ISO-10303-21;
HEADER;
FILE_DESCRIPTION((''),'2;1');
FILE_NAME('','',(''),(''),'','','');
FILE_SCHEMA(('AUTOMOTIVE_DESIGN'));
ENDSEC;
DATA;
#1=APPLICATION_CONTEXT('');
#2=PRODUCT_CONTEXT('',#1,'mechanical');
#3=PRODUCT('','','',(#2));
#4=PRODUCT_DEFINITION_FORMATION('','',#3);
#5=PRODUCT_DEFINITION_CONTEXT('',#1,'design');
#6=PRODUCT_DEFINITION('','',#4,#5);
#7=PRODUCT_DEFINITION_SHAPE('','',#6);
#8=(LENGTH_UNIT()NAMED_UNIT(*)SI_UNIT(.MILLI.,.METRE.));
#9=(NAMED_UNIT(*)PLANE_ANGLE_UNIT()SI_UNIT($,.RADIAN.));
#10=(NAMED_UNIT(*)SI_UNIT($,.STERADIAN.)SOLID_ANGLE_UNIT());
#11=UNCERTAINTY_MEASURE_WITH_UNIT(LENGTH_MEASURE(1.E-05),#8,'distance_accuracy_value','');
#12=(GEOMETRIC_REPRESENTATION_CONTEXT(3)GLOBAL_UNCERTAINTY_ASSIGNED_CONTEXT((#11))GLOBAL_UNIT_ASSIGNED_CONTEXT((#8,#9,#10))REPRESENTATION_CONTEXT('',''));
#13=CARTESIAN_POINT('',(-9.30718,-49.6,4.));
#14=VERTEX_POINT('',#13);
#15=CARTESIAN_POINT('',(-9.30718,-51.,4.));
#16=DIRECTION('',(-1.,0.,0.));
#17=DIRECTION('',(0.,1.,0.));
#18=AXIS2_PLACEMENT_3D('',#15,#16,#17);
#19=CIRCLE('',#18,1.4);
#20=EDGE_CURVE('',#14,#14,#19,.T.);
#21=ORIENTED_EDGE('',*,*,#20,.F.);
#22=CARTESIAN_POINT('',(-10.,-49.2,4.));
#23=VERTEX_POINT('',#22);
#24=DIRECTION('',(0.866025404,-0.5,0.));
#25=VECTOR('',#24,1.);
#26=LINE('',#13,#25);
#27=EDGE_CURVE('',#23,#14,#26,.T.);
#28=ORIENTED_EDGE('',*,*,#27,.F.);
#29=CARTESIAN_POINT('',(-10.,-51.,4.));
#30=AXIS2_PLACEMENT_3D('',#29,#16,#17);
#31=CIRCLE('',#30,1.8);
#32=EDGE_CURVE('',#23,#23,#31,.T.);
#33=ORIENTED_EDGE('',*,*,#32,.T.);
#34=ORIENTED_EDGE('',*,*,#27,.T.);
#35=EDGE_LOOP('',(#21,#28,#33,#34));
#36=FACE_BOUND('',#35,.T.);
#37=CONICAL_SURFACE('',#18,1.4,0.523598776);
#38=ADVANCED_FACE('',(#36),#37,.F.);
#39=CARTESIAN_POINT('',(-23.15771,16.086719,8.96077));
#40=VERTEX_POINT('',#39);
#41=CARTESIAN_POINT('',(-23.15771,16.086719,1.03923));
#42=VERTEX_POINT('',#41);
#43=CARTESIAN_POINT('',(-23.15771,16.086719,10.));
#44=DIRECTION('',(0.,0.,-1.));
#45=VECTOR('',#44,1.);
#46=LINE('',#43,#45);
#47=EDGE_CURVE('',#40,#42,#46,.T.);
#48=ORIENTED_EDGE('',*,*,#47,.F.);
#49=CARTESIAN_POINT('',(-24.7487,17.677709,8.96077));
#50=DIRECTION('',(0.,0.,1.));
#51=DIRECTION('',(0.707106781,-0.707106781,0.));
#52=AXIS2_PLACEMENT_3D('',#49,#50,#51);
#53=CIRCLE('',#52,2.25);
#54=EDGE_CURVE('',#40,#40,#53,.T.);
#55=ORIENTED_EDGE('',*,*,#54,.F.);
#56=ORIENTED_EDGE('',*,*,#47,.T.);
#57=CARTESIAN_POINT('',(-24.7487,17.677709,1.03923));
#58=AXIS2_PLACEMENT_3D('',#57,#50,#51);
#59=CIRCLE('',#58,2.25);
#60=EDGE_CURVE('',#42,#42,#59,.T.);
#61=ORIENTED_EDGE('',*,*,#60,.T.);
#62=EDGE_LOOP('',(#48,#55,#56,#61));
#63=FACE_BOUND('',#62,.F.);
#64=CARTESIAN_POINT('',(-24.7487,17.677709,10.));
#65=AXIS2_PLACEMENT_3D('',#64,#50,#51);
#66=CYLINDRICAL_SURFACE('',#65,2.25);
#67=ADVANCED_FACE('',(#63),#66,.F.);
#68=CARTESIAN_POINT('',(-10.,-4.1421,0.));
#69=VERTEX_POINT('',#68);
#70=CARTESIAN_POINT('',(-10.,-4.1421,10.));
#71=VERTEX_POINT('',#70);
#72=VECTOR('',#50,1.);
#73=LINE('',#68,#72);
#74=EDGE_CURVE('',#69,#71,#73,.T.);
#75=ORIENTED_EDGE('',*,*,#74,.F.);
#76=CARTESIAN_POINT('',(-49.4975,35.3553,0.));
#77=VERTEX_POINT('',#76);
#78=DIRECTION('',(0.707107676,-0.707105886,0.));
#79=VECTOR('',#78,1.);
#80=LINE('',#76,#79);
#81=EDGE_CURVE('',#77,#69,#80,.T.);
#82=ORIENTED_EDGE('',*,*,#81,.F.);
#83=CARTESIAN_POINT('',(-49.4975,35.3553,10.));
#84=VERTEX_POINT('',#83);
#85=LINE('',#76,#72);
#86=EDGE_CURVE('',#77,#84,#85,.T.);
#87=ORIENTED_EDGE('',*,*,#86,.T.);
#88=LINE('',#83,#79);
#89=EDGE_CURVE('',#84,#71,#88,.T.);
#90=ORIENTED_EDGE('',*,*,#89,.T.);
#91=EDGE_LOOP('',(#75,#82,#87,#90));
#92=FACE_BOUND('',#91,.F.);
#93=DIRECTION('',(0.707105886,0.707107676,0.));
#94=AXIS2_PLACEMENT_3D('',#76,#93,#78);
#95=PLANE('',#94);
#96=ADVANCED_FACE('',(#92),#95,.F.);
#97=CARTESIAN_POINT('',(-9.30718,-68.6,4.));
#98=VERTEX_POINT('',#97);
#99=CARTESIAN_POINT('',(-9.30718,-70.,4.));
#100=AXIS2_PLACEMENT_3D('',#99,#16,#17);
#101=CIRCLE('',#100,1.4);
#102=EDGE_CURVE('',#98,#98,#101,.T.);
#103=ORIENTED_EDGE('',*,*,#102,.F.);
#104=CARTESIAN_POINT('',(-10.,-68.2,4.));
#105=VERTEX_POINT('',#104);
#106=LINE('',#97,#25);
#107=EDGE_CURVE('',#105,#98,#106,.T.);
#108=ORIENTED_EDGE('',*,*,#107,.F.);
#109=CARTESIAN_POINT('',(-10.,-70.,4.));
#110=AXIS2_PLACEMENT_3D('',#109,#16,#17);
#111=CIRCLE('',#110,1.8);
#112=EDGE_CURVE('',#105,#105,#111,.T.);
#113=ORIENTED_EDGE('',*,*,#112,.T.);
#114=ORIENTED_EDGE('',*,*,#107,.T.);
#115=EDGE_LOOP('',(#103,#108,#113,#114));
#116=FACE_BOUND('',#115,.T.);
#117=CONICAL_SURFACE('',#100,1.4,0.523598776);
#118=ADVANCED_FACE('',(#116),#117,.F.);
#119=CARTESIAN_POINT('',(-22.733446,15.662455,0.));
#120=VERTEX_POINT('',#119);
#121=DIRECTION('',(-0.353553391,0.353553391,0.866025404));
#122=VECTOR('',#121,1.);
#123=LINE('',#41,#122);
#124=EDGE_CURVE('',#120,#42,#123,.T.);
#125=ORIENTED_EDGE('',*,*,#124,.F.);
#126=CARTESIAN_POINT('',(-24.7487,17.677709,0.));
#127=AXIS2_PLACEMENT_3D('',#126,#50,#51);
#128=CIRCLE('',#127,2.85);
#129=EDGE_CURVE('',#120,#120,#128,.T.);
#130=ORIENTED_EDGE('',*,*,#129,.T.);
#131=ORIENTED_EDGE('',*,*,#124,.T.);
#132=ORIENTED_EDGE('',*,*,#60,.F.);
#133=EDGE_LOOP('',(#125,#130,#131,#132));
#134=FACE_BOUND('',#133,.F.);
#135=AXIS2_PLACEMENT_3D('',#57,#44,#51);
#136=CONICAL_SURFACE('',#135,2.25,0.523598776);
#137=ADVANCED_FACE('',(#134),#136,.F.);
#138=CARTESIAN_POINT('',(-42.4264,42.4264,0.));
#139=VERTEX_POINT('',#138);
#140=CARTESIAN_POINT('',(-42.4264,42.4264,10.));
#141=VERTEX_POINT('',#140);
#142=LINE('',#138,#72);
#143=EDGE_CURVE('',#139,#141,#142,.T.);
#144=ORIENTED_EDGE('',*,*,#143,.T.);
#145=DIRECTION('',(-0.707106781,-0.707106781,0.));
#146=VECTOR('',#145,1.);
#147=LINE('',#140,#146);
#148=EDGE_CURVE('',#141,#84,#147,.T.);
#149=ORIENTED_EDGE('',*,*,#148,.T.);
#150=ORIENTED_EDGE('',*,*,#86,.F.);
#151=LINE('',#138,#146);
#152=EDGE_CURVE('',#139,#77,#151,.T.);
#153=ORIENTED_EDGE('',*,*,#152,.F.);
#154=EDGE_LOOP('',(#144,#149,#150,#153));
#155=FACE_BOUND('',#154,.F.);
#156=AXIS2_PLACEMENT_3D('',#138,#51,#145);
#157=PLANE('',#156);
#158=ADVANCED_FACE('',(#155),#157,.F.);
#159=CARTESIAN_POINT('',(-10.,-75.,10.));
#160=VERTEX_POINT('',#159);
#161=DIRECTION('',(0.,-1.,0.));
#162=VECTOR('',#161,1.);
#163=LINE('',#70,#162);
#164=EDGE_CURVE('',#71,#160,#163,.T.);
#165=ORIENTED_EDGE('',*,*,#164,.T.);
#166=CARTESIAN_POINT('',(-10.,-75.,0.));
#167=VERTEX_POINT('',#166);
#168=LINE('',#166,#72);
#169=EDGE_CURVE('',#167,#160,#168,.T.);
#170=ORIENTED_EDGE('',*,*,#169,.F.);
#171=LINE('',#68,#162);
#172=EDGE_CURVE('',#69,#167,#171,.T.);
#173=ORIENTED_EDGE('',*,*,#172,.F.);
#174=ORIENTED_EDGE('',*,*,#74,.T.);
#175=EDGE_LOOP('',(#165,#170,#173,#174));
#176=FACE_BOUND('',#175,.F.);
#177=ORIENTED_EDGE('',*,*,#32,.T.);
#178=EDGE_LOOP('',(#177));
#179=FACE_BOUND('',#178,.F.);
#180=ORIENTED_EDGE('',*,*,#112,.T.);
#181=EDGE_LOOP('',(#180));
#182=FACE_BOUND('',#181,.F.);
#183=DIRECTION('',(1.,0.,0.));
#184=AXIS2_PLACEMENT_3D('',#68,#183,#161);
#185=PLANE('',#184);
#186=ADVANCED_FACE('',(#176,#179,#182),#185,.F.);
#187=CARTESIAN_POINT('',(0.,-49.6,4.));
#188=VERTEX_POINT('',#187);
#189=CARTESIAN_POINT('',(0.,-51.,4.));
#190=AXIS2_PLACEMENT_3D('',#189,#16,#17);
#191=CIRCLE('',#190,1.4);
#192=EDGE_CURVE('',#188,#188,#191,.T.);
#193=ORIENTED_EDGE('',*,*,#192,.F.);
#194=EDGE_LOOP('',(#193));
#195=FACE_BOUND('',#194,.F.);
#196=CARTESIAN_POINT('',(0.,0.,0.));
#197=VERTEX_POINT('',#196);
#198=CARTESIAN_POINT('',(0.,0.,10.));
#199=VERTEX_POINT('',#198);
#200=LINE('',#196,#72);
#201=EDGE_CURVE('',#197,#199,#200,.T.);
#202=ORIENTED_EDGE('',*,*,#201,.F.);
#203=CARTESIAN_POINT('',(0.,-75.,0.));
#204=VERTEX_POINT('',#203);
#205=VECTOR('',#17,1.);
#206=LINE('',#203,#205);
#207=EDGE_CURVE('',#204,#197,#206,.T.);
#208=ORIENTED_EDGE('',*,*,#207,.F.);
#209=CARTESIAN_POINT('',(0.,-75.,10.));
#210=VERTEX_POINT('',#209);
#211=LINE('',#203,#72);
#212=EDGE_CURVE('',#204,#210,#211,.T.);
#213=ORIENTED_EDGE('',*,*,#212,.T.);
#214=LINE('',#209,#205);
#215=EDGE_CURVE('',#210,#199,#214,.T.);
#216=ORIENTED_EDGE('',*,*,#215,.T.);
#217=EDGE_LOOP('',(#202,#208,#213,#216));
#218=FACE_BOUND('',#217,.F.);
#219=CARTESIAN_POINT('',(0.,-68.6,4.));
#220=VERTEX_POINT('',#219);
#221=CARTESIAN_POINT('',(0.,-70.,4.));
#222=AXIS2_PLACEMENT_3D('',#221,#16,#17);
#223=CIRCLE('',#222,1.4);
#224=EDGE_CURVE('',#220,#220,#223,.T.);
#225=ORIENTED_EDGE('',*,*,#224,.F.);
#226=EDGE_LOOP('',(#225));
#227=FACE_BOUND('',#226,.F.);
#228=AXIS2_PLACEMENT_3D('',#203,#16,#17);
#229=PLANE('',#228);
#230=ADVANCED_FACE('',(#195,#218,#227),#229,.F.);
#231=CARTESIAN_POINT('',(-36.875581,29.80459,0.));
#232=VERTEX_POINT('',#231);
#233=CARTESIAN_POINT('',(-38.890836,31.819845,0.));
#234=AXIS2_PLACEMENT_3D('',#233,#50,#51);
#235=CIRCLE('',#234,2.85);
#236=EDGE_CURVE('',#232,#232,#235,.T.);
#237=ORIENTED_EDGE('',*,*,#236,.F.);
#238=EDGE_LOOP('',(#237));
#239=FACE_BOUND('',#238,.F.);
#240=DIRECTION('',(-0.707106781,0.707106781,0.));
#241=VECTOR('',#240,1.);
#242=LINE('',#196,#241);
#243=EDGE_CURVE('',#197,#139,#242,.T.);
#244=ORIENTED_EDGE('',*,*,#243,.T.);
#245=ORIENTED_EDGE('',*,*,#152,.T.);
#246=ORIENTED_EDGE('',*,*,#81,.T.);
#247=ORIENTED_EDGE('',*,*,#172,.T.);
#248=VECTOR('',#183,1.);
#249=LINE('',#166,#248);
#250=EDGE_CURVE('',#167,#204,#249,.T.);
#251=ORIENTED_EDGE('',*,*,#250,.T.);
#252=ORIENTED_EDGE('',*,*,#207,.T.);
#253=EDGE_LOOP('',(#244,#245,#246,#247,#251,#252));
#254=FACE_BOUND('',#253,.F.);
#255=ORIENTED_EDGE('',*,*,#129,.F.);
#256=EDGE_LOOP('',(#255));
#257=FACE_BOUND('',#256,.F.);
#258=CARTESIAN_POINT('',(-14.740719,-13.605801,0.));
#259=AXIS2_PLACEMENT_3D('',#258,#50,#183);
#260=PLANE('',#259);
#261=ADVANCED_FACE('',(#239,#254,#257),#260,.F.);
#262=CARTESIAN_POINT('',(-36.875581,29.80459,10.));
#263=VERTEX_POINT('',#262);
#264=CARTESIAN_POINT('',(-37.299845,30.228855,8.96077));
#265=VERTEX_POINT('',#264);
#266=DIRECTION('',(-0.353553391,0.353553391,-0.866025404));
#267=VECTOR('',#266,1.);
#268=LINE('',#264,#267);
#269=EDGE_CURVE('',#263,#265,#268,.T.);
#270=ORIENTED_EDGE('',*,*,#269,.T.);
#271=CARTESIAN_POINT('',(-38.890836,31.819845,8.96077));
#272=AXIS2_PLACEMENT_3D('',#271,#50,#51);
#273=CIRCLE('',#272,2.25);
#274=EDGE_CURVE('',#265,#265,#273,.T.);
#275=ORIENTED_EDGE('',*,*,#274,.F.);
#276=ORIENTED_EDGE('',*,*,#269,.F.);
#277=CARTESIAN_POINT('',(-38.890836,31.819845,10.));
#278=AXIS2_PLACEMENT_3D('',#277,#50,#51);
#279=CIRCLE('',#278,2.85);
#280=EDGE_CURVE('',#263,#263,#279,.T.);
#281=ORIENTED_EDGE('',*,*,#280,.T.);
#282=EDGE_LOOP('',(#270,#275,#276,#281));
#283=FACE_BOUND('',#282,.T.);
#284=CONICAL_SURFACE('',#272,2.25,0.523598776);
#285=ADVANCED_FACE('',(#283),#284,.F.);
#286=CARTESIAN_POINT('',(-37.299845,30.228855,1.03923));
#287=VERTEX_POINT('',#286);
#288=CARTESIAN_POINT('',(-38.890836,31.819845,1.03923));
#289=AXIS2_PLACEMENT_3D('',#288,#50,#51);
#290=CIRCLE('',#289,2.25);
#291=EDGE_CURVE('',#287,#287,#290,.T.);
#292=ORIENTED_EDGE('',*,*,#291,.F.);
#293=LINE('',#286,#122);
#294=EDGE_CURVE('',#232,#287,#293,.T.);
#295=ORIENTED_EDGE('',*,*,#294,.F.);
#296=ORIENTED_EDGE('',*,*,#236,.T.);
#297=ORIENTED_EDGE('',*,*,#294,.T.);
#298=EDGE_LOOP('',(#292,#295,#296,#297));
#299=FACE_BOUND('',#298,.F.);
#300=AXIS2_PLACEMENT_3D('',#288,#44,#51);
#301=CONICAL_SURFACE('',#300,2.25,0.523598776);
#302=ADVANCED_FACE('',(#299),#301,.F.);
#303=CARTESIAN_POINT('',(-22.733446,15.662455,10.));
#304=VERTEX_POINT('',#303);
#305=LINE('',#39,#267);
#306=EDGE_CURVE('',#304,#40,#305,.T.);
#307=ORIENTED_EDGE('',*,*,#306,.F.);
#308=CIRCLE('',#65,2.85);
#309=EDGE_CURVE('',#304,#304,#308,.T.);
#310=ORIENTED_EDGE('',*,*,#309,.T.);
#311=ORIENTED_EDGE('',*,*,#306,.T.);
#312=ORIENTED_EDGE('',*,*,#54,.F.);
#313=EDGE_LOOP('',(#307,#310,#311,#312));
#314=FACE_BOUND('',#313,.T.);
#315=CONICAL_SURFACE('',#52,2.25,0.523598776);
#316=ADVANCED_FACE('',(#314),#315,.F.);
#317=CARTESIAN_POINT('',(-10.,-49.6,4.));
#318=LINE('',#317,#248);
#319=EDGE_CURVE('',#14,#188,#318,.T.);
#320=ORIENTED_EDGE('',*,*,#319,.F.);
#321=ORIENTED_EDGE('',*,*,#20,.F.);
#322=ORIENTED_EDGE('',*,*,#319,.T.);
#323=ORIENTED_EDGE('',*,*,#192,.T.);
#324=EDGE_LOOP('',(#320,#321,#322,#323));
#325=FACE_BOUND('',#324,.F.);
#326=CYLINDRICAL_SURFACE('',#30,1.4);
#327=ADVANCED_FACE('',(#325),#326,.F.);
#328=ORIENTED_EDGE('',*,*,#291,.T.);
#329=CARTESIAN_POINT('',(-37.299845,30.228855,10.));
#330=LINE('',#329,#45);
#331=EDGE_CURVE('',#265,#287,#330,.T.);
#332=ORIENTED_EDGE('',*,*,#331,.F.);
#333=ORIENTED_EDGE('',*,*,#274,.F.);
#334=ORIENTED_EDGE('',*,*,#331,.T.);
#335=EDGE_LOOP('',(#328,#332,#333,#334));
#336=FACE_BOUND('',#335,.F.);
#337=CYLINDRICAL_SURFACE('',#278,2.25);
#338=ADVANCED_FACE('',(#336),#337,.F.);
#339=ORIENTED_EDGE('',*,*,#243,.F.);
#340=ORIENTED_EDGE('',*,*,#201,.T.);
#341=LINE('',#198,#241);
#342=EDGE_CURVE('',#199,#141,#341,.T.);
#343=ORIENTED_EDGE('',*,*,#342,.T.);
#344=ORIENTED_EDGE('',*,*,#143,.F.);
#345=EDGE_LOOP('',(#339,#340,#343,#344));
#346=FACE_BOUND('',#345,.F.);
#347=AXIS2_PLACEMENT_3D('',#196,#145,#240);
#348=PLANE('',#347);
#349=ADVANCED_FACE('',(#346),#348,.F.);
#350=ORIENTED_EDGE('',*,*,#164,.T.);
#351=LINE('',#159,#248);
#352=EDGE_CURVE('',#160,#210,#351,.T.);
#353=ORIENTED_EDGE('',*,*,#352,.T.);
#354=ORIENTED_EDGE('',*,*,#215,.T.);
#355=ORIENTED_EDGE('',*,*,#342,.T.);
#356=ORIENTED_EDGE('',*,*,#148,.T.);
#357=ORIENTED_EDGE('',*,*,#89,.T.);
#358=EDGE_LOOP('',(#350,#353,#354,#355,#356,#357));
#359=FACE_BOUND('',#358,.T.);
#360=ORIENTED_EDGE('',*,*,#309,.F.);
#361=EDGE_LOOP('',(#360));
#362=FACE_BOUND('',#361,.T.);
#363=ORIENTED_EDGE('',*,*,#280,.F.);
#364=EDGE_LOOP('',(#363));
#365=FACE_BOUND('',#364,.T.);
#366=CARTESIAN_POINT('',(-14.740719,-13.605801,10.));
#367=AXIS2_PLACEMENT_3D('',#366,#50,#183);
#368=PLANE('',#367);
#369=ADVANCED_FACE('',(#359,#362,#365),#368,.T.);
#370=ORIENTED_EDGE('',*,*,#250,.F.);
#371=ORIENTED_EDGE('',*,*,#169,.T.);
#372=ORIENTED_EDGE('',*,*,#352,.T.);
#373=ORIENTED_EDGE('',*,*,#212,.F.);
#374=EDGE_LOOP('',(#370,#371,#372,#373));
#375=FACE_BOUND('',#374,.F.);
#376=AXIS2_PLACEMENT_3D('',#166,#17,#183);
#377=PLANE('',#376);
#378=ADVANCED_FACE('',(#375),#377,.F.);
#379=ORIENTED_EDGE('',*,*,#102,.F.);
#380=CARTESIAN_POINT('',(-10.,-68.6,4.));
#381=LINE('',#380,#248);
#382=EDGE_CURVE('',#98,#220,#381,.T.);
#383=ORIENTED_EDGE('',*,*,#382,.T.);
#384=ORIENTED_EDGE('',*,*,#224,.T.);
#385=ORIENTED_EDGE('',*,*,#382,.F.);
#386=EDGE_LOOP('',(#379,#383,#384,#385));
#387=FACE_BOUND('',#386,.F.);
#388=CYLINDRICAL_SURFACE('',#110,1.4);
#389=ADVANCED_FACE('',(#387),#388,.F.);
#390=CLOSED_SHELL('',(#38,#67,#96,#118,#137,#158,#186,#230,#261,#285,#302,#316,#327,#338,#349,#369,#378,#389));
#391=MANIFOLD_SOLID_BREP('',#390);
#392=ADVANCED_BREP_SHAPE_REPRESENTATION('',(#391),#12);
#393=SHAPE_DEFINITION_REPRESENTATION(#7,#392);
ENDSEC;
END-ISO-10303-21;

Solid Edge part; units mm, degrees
sketch "Sketch1" plane through (0, 0, 0) normal (0, 0, 1) x (1, 0, 0)
  line L0 (-10, -75) -> (0, -75)
  line L1 (0, -75) -> (0, 0)
  line L2 (0, 0) -> (-42.4264, 42.4264)
  line L3 (-42.4264, 42.4264) -> (-49.4975, 35.3553)
  line L4 (-49.4975, 35.3553) -> (-10, -4.1421)
  line L5 (-10, -4.1421) -> (-10, -75)
  dimension "D1" = 10
  dimension "D2" = 10
  dimension "D3" = 75
  dimension "D4" = 60
extrude "Extrusionsausprägung_3" add sketch "Sketch1" along normal blind 10
sketch "Sketch2" plane through (-24.7487, -3.7868, 10) normal (0, 0, 1) x (0.7071, -0.7071, 0)
  circle A0 centre (-35.1777, 15.1777) radius 2.25
  circle A1 centre (-15.1777, 15.1777) radius 2.25
  dimension "D1" = 20
  dimension "D2" = 4.5
  dimension "D3" = 30
extrude "Cutout1" cut sketch "Sketch2" against normal up to next
sketch "Sketch3" plane through (-10, -32.0711, 5) normal (-1, 0, 0) x (0, 1, 0)
  circle A0 centre (-18.9289, 1) radius 1.4
  circle A1 centre (-37.9289, 1) radius 1.4
  dimension "D1" = 2.8
  dimension "D2" = 19
  dimension "D3" = 5
  dimension "D4" = 4
extrude "Cutout2" cut sketch "Sketch3" against normal up to next
chamfer "Fase_1" distance 0.4 angle 60 2 edges at (-10, -71.4, 4) (-10, -52.4, 4) measured on face at (-10, -15.2432, 8.2333)
chamfer "Fase_2" distance 0.6 angle 60 2 edges at (-26.3397, 19.2687, 10) (-40.4819, 33.4108, 10) measured on face at (-25.2437, 24.0296, 10)
chamfer "Fase_3" distance 0.6 angle 60 2 edges at (-26.9987, 17.6777, 0) (-41.1409, 31.8198, 0) measured on face at (-25.2437, 24.0296, 0)
properties material "Nylon, allgemein"
